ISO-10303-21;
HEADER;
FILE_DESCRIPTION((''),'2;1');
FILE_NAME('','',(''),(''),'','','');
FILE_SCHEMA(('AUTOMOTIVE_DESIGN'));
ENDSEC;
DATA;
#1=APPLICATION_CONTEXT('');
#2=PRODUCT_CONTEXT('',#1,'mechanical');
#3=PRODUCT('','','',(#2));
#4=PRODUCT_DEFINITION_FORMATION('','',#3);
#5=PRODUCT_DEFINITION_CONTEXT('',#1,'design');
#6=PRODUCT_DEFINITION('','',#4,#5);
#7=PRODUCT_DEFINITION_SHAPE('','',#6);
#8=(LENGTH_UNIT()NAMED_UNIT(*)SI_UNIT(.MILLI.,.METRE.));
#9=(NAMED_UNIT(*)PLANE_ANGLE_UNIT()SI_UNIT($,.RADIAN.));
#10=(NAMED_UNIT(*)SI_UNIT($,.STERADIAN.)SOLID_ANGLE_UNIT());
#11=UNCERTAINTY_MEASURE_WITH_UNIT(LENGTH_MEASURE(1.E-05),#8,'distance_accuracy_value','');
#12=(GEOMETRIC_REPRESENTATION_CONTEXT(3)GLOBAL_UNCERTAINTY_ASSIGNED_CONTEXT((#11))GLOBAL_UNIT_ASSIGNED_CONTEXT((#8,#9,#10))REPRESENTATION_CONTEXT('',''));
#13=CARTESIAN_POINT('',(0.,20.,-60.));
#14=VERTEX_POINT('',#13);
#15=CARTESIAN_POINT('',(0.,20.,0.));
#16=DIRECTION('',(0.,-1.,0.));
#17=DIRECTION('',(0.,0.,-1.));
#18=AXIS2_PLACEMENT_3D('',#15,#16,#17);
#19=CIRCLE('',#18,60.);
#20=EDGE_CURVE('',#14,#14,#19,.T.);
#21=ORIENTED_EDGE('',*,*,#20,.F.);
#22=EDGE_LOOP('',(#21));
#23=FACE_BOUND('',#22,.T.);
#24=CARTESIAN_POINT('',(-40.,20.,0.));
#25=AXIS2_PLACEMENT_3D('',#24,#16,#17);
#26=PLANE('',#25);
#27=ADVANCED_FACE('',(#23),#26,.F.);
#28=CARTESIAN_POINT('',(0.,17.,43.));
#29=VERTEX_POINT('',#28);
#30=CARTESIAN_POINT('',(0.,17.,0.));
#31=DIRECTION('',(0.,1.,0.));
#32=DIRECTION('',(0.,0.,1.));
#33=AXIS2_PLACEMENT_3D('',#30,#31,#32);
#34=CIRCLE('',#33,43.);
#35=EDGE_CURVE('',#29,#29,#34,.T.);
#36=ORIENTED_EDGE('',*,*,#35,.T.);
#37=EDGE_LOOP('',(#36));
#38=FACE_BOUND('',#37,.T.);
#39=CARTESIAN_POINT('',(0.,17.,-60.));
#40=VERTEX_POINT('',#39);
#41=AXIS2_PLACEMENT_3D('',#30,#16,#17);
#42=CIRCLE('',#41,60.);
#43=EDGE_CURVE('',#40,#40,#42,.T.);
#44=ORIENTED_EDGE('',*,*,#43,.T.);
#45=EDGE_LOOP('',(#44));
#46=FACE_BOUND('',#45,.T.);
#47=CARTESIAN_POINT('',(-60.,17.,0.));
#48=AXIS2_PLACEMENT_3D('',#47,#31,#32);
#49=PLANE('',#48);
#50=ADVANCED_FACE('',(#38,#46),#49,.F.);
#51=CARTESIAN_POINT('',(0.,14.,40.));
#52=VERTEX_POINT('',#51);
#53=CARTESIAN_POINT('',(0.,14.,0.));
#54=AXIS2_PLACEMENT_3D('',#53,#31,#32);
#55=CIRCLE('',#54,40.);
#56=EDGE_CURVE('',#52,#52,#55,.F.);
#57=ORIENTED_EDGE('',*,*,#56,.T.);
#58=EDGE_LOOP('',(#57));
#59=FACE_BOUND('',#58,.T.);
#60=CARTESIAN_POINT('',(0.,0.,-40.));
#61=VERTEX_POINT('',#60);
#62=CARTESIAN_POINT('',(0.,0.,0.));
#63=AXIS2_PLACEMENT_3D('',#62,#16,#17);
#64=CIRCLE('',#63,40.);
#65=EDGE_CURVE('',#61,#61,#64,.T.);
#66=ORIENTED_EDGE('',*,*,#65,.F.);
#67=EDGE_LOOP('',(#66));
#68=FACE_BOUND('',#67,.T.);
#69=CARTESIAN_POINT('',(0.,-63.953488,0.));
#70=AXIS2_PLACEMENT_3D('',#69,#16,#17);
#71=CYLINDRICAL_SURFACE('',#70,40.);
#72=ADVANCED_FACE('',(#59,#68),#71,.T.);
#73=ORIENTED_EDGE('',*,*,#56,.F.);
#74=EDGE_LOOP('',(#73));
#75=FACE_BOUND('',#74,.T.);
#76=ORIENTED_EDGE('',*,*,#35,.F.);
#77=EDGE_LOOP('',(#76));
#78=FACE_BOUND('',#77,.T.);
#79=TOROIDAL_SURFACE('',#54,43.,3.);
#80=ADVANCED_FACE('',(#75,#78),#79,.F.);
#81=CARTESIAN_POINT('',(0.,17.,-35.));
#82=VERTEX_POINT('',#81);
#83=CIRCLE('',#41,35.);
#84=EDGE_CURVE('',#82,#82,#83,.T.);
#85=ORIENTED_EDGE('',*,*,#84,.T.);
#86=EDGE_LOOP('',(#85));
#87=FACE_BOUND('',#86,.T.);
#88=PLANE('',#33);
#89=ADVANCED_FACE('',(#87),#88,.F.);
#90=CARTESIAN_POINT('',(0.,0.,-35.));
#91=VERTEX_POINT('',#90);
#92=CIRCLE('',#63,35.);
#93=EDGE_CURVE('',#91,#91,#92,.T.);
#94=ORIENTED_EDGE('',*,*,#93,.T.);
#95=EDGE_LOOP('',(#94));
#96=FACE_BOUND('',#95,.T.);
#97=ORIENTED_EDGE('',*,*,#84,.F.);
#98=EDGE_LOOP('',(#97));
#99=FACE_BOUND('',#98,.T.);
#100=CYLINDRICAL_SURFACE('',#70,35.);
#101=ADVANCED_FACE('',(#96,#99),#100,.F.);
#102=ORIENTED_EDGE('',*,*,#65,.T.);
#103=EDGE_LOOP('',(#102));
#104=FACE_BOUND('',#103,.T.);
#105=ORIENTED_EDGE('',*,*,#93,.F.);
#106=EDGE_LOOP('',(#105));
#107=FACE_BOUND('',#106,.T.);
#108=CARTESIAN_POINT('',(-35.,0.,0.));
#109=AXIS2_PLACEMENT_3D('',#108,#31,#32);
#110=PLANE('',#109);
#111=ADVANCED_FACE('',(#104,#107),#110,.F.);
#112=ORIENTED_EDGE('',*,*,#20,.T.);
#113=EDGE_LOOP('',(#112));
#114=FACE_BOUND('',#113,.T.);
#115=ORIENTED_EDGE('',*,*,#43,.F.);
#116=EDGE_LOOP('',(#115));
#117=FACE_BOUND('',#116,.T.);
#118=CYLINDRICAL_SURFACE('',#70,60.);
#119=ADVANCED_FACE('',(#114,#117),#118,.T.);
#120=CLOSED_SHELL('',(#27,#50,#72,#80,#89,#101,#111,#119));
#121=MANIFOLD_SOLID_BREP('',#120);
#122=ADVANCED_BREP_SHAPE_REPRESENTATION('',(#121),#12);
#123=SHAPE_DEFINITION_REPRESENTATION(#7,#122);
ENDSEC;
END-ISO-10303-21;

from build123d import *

# Parameters (mm, degrees)
FILLET1_R = 3


with BuildPart() as part:
    # Sketch1 → Revolve1 (revolve)
    with BuildSketch(Plane.XY, mode=Mode.PRIVATE) as revolve1_sk:
        Polygon((-40, 20), (-60, 20), (-60, 17), (-40, 17), (-40, 0), (-35, 0), (-35, 17), (0, 17), (0, 20), align=None)
    revolve(revolve1_sk.sketch.rotate(Axis((0, -63.953488372, 0), (0, 1, 0)), 270), axis=Axis((0, -63.953488372, 0), (0, 1, 0)))

    # Fillet1
    fillet1_edges = [part.edges().sort_by_distance(p)[0] for p in [
        (0, 17, 40),
    ]]
    fillet(fillet1_edges, radius=FILLET1_R)


solid = part.part
